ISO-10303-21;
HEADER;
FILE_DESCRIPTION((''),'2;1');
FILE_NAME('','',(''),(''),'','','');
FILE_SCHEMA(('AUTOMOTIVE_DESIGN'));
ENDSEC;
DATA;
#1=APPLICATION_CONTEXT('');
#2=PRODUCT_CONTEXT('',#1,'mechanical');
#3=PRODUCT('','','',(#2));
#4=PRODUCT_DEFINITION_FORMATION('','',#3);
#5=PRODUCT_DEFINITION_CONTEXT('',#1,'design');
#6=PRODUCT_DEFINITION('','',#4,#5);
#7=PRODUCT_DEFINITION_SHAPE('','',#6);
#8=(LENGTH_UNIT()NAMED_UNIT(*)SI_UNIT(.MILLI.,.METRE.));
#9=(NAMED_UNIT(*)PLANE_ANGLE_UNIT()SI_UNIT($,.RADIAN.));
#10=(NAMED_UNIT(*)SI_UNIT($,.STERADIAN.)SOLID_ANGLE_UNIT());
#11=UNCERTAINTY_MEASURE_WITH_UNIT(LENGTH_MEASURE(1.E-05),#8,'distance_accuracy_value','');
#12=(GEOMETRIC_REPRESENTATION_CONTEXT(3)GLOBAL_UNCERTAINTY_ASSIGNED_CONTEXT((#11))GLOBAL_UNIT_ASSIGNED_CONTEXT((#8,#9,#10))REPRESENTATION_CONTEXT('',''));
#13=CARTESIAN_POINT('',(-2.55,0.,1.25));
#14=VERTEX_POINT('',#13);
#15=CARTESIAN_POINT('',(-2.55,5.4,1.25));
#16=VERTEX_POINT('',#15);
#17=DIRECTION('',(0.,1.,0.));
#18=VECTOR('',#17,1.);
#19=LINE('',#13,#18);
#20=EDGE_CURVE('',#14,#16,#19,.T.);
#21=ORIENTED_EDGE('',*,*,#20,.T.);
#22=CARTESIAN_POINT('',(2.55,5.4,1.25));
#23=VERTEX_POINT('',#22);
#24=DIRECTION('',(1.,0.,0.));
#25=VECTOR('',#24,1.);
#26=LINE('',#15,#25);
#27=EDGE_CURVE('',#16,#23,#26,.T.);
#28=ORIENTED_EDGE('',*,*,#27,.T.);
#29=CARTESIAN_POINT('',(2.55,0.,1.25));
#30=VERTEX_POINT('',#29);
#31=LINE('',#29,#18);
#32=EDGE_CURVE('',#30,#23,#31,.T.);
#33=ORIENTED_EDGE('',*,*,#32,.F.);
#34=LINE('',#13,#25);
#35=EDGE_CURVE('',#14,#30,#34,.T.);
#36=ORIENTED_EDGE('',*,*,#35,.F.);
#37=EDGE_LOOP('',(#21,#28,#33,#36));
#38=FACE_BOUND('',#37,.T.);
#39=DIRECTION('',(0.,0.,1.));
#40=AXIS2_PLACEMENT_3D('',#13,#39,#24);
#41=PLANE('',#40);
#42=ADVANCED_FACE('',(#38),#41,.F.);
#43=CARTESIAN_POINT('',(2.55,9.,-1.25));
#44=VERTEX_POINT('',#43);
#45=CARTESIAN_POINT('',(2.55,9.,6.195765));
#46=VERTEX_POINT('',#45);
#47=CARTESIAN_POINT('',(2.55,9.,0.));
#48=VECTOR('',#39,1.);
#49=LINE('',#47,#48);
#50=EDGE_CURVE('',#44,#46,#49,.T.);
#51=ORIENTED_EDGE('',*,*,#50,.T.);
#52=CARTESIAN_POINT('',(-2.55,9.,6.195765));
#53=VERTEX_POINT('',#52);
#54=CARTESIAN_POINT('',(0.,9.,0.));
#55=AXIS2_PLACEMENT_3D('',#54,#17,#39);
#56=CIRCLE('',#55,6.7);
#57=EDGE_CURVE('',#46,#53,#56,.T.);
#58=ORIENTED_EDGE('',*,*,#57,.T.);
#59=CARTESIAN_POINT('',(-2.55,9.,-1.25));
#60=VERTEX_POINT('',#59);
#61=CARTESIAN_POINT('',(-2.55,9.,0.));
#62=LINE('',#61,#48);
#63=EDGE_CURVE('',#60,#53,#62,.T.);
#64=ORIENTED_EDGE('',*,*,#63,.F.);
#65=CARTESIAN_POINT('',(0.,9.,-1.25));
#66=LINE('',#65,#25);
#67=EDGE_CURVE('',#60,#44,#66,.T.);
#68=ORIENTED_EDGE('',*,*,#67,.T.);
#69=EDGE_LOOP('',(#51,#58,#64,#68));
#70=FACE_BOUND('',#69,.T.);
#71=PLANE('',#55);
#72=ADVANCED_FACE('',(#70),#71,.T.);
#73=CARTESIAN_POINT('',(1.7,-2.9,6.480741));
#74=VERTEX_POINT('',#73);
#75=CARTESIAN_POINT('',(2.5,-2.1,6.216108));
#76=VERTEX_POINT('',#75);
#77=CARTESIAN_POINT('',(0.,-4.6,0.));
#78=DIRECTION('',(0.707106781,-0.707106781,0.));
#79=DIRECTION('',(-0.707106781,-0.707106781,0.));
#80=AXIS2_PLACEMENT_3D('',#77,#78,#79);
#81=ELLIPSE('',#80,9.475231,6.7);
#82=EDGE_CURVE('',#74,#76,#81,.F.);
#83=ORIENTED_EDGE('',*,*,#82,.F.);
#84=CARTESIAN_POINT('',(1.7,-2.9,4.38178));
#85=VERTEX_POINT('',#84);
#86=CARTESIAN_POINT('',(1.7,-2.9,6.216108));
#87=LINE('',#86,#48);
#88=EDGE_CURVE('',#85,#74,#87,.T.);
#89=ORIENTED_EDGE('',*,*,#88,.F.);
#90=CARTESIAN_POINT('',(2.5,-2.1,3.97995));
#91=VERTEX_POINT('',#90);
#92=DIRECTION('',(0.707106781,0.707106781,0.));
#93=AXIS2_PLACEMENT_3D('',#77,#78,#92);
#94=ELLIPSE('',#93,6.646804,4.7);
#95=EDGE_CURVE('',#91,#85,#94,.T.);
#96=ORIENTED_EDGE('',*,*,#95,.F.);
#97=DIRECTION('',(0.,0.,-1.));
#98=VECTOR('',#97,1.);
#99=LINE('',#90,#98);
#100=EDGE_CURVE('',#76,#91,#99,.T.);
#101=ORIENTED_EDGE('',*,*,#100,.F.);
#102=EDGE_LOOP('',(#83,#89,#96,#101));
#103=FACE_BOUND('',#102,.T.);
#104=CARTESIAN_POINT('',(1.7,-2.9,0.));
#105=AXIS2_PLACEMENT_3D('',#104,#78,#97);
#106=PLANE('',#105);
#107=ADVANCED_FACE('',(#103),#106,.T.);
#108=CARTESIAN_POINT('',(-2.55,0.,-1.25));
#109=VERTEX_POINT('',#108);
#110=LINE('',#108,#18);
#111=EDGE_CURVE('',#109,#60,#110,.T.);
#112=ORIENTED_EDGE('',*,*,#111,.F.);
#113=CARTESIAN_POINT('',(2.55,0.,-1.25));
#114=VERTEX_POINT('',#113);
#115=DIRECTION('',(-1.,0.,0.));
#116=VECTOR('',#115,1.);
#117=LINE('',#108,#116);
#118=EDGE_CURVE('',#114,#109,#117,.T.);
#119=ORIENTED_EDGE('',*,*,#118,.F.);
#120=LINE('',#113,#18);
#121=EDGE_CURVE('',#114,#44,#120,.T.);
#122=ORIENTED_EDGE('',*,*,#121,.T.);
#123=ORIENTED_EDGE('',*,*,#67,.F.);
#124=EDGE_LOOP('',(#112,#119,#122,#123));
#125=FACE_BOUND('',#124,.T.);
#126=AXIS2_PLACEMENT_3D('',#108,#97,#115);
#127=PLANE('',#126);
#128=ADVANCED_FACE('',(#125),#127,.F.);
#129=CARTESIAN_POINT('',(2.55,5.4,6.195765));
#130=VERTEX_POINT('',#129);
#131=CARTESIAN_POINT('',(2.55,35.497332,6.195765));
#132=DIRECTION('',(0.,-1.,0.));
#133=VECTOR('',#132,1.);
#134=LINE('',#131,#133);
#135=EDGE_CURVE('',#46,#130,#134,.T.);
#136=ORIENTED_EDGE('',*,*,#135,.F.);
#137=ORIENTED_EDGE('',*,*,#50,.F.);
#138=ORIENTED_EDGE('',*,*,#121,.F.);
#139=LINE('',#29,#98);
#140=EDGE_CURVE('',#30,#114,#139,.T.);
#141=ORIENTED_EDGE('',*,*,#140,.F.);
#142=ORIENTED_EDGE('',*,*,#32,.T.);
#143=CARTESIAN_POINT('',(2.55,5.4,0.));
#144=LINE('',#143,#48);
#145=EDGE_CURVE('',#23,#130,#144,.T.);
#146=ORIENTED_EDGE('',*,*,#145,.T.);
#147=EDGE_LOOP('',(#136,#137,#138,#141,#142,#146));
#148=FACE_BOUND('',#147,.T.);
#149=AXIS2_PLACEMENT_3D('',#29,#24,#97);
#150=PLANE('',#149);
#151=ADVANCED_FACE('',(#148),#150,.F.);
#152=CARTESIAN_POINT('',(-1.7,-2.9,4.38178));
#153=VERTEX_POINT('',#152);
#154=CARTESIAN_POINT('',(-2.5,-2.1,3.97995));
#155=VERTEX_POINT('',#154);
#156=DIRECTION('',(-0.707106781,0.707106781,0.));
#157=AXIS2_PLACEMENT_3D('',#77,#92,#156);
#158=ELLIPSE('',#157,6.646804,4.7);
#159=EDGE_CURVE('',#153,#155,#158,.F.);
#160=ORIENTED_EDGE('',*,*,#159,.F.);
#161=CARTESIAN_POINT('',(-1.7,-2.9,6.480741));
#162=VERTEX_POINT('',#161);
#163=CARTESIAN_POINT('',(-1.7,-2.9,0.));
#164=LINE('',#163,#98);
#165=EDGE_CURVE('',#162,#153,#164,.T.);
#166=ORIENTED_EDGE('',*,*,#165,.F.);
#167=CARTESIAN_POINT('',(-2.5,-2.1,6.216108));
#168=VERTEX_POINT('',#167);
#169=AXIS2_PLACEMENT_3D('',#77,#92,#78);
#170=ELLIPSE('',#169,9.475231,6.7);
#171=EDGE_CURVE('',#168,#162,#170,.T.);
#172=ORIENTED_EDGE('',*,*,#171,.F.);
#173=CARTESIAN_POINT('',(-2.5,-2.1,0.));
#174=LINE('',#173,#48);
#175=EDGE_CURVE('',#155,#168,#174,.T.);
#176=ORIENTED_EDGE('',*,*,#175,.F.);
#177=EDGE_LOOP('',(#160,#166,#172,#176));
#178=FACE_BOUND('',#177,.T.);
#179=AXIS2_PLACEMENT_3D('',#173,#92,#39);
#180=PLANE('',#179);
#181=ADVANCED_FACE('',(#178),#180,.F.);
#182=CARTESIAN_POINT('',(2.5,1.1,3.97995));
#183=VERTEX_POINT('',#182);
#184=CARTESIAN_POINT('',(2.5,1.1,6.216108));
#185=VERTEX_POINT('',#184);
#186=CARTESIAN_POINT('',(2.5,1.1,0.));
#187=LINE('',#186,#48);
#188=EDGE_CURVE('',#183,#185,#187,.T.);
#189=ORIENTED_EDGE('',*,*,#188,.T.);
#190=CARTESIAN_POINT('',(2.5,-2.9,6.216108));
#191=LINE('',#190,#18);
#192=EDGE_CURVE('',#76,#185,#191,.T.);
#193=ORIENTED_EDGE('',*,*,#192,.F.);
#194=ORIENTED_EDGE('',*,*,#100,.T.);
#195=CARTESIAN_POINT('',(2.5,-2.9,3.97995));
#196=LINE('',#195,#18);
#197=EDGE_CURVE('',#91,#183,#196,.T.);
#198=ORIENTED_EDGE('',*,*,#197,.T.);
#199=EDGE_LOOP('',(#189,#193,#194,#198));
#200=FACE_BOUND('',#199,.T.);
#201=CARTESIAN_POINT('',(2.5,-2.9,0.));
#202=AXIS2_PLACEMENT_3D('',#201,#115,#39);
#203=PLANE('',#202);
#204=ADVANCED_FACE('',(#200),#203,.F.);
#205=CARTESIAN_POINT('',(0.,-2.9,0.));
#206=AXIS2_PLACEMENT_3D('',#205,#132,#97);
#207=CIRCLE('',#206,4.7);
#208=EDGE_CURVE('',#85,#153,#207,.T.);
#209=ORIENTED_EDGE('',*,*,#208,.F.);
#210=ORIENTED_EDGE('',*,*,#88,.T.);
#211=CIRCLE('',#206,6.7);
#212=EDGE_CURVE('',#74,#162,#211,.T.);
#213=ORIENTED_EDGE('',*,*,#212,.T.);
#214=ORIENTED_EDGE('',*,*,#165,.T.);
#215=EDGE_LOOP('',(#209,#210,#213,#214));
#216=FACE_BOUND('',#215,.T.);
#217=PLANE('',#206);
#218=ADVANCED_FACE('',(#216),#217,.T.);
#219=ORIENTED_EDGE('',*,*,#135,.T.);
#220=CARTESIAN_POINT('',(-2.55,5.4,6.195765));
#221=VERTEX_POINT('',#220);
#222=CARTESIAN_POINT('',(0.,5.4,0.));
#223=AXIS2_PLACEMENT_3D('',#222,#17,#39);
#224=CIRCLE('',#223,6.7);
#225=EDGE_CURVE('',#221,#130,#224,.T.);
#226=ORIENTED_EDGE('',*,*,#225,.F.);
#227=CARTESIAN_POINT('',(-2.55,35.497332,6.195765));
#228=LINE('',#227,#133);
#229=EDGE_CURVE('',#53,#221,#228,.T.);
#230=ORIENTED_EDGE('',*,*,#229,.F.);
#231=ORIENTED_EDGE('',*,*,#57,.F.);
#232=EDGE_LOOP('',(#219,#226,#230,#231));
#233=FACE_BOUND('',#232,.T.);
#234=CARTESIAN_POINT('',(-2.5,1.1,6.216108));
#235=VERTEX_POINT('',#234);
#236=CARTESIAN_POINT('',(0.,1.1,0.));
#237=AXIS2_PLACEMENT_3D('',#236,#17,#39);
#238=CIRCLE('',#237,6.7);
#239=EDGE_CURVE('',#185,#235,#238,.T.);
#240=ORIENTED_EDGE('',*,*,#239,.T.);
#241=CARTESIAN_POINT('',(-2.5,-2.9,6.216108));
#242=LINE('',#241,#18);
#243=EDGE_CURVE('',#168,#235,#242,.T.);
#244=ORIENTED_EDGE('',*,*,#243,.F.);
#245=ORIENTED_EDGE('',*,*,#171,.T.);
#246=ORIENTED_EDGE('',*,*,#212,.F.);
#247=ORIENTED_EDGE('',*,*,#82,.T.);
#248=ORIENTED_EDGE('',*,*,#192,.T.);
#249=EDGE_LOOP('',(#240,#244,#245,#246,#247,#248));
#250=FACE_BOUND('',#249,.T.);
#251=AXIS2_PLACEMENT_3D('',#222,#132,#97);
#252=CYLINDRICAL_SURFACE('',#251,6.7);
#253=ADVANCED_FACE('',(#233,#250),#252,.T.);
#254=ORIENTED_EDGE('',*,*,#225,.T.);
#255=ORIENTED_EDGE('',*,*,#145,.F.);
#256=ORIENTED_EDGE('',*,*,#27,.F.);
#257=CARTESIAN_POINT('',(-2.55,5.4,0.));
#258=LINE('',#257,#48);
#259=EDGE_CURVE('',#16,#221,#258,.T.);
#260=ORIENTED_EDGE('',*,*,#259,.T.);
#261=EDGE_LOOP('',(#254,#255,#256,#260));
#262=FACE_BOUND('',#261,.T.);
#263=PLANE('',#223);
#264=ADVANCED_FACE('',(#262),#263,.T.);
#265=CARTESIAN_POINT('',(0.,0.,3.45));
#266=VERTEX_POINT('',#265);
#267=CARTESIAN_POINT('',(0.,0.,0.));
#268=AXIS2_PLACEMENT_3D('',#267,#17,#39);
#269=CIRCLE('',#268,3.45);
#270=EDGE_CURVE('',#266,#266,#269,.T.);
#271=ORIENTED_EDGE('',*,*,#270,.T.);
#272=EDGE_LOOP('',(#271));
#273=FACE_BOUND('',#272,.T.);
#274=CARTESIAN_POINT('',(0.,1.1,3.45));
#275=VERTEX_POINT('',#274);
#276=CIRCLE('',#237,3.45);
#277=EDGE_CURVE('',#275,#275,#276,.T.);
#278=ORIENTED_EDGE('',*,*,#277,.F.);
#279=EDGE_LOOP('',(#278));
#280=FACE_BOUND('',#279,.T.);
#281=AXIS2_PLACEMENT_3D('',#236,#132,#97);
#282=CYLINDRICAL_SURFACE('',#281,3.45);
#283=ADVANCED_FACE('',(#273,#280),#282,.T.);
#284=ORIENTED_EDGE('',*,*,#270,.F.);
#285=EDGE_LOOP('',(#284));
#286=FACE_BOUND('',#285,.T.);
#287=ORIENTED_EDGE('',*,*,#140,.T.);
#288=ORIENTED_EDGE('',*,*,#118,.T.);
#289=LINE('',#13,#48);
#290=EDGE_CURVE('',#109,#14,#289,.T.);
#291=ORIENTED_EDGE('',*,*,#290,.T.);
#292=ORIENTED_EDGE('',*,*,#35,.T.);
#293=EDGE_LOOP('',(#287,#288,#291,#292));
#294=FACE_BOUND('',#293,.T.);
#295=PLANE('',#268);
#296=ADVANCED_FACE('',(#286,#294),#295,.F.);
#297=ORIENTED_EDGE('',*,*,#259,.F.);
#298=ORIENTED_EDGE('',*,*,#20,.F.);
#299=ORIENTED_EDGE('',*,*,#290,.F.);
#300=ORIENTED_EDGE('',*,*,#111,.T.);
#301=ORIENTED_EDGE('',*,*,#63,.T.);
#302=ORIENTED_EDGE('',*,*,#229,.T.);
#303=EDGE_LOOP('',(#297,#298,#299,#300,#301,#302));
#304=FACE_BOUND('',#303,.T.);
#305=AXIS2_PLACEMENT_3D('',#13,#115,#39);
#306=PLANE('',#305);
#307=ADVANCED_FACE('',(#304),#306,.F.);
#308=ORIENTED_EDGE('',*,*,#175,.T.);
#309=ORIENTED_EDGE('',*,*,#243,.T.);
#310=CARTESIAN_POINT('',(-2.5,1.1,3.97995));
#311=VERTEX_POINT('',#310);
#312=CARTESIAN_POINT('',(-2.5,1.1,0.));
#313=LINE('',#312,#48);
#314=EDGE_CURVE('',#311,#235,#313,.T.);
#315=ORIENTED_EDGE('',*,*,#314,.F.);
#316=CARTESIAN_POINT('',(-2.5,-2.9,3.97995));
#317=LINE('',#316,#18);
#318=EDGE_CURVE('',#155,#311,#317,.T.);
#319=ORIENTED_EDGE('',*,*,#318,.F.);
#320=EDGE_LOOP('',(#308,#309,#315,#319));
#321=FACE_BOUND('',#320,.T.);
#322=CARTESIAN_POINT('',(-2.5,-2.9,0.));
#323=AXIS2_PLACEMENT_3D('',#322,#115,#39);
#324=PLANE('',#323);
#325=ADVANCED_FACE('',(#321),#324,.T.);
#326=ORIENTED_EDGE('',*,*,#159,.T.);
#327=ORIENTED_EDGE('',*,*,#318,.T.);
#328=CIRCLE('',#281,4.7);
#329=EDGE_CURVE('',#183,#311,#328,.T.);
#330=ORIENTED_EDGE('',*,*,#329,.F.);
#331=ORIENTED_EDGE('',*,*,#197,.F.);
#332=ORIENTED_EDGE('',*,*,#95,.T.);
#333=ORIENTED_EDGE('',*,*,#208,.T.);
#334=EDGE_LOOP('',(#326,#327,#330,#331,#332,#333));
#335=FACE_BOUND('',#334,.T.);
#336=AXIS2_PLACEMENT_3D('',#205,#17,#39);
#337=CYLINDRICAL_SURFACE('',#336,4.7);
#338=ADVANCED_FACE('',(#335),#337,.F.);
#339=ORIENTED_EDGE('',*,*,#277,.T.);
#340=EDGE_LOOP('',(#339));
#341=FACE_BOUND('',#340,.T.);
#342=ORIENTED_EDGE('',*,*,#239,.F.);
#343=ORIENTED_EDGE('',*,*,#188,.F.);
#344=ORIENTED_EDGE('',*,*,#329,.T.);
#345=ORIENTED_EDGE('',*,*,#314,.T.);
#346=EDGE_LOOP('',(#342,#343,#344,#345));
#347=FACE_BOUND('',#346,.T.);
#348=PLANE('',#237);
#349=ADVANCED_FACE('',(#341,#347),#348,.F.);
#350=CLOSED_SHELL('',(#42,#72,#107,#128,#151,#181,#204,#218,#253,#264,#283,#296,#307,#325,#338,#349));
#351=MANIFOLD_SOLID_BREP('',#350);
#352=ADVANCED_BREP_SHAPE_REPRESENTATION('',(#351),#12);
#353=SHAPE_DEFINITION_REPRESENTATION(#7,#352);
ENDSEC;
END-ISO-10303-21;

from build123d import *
from build123d.topology import SkipClean

# Parameters (mm, degrees)
SKETCH1_R           = 3.45
BOSS_EXTRUDE1_DEPTH = 1.1
SKETCH2_R           = 6.7
BOSS_EXTRUDE2_DEPTH = 4.3
SKETCH3_W           = 5.1
SKETCH3_H           = 2.5
CUT_EXTRUDE1_DEPTH  = 11.905961672
BOSS_EXTRUDE3_START = 4
BOSS_EXTRUDE3_DEPTH = 4
CHAMFER1_SIZE       = 0.8
BOSS_EXTRUDE4_DEPTH = 3.6


with BuildPart() as part:
    # Sketch1 → Boss-Extrude1 (new body)
    with BuildSketch(Plane(origin=(0, 0, 0), x_dir=(1, 0, 0), z_dir=(0, 1, 0))):
        with Locations(Location((0, 0, 0), (0, 0, 270))):
            Circle(SKETCH1_R)
    extrude(amount=BOSS_EXTRUDE1_DEPTH)

    # Sketch2 → Boss-Extrude2 (add)
    with BuildSketch(Plane(origin=(0, 1.1, 0), x_dir=(1, 0, 0), z_dir=(0, 1, 0))):
        with Locations(Location((0, 0, 0), (0, 0, 90))):
            Circle(SKETCH2_R)
    extrude(amount=BOSS_EXTRUDE2_DEPTH)

    # Sketch3 → Cut-Extrude1 (cut, through all)
    with BuildSketch(Plane(origin=(0, 5.4, 0), x_dir=(1, 0, 0), z_dir=(0, 1, 0))):
        Rectangle(SKETCH3_W, SKETCH3_H)
    extrude(amount=-CUT_EXTRUDE1_DEPTH, mode=Mode.SUBTRACT)

    # Sketch4 → Boss-Extrude3 (add)
    with SkipClean():  # the faces are left unmerged after this step: merging them gives an invalid solid
        with BuildSketch(Plane.XZ.offset(-1.1).offset(BOSS_EXTRUDE3_START)):
            with BuildLine():
                ThreePointArc((2.5, 6.216108107), (0, 6.7), (-2.5, 6.216108107))
                Line((-2.5, 6.216108107), (-2.5, 3.979949748))
                ThreePointArc((-2.5, 3.979949748), (0, 4.7), (2.5, 3.979949748))
                Line((2.5, 3.979949748), (2.5, 6.216108107))
            make_face()
        extrude(amount=-BOSS_EXTRUDE3_DEPTH)

    # Chamfer1
    chamfer1_edges = [part.edges().sort_by_distance(p)[0] for p in [
        (-2.5, -2.9, 5.098028928),
        (2.5, -2.9, 5.098028928),
    ]]
    chamfer(chamfer1_edges, length=CHAMFER1_SIZE)

    # Sketch5 → Boss-Extrude4 (add)
    with SkipClean():  # the faces are left unmerged after this step: merging them gives an invalid solid
        with BuildSketch(Plane(origin=(0, 5.4, 0), x_dir=(1, 0, 0), z_dir=(0, 1, 0))):
            with BuildLine():
                Line((-2.55, -1.25), (-2.55, 1.25))
                Line((-2.55, 1.25), (2.55, 1.25))
                Line((2.55, 1.25), (2.55, -1.25))
                Line((2.55, -1.25), (2.55, -6.195764682))
                ThreePointArc((2.55, -6.195764682), (5.566641717, -3.728605638), (6.7, 0))
                ThreePointArc((6.7, 0), (-3.728605638, 5.566641717), (-2.55, -6.195764682))
                Line((-2.55, -6.195764682), (-2.55, -1.25))
            make_face()
        extrude(amount=BOSS_EXTRUDE4_DEPTH)


solid = part.part
